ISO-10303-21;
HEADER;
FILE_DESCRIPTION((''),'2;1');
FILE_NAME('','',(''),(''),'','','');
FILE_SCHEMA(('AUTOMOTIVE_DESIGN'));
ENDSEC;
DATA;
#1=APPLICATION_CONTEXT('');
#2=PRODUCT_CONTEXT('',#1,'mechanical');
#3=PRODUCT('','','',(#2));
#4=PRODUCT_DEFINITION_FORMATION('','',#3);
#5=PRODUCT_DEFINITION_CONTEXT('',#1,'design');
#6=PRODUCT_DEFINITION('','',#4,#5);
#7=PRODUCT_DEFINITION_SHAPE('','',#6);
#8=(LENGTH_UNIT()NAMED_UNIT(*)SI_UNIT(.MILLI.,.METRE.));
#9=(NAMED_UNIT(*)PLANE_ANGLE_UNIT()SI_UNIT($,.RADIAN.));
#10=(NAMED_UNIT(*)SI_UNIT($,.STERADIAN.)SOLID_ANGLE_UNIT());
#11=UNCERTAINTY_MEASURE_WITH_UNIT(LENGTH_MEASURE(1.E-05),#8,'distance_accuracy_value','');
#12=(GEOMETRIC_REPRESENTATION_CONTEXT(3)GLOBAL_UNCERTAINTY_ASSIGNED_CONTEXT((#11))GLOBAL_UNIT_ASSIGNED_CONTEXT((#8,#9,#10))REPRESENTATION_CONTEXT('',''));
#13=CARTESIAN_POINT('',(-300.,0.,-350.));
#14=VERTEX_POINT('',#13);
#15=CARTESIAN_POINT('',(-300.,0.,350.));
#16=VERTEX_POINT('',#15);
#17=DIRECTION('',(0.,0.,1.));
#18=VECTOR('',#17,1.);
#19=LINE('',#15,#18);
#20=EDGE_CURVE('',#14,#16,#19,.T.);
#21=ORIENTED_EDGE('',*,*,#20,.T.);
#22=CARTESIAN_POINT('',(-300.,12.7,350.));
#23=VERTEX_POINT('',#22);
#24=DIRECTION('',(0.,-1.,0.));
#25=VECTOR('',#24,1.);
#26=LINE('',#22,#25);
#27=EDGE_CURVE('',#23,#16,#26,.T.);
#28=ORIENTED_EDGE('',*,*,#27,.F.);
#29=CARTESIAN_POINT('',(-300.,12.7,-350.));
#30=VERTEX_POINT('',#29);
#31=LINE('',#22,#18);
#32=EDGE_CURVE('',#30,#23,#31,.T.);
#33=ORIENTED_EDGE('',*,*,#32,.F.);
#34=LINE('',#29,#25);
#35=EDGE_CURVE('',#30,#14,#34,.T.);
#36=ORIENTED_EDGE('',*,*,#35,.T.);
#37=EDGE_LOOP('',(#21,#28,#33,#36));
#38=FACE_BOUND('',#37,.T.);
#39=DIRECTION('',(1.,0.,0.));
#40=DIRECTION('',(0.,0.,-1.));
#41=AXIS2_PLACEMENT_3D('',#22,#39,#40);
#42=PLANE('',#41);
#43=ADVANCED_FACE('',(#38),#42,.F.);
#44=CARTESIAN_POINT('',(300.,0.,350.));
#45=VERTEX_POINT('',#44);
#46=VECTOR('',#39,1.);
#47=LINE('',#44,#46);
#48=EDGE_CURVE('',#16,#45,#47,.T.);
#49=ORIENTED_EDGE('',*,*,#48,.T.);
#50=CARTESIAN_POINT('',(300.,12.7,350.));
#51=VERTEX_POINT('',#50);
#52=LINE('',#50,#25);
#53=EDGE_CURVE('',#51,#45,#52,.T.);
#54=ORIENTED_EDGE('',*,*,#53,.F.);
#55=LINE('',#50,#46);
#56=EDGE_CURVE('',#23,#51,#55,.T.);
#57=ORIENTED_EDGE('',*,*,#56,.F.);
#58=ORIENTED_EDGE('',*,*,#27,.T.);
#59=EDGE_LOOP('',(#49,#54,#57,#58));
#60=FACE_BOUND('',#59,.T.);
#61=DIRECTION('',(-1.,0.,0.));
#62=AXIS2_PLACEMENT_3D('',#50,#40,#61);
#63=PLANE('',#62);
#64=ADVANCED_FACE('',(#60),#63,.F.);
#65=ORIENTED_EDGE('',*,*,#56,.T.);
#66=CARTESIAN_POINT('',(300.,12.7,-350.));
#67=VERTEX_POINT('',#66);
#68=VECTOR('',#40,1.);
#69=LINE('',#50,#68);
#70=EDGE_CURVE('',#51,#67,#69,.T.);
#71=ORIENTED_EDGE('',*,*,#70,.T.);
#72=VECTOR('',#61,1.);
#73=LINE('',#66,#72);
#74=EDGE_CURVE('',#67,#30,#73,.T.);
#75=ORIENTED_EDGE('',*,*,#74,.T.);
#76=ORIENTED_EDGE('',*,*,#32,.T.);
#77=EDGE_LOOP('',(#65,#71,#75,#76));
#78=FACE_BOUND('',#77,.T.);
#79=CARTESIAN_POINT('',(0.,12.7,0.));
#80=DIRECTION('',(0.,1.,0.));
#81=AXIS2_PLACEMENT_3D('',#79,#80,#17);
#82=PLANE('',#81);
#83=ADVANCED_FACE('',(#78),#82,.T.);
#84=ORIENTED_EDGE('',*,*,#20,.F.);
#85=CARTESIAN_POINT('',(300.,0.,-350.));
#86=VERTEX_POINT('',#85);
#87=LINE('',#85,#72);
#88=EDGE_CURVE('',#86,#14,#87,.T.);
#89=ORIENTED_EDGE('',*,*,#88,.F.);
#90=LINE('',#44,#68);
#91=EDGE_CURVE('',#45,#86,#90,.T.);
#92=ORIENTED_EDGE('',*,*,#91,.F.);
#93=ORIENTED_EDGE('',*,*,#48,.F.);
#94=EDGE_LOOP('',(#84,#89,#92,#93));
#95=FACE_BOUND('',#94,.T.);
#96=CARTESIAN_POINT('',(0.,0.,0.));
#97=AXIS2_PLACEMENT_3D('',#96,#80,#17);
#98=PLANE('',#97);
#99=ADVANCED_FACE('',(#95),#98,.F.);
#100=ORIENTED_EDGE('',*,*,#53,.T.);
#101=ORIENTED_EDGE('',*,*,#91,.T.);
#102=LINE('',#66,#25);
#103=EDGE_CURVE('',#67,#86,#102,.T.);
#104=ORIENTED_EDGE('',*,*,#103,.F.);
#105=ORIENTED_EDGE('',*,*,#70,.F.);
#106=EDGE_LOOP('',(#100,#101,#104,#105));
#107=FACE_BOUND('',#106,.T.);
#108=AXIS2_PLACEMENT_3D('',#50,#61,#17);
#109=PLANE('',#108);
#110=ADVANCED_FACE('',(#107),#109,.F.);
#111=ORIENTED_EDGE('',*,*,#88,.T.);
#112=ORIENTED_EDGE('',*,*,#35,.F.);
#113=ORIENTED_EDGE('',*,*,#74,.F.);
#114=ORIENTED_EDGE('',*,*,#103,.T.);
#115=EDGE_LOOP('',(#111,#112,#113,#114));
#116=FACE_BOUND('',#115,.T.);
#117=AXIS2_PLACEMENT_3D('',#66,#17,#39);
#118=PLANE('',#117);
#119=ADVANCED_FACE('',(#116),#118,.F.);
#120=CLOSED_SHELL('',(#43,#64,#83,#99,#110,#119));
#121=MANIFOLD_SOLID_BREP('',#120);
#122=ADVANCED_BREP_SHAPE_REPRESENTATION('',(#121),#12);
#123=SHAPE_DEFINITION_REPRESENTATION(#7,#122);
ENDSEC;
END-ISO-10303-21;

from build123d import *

# Parameters (mm, degrees)
CROQUIS1_W              = 600
CROQUIS1_H              = 700
SALIENTE_EXTRUIR1_DEPTH = 12.7


with BuildPart() as part:
    # Croquis1 → Saliente-Extruir1 (new body)
    with BuildSketch(Plane(origin=(0, 0, 0), x_dir=(1, 0, 0), z_dir=(0, 1, 0))):
        Rectangle(CROQUIS1_W, CROQUIS1_H)
    extrude(amount=SALIENTE_EXTRUIR1_DEPTH)


solid = part.part
